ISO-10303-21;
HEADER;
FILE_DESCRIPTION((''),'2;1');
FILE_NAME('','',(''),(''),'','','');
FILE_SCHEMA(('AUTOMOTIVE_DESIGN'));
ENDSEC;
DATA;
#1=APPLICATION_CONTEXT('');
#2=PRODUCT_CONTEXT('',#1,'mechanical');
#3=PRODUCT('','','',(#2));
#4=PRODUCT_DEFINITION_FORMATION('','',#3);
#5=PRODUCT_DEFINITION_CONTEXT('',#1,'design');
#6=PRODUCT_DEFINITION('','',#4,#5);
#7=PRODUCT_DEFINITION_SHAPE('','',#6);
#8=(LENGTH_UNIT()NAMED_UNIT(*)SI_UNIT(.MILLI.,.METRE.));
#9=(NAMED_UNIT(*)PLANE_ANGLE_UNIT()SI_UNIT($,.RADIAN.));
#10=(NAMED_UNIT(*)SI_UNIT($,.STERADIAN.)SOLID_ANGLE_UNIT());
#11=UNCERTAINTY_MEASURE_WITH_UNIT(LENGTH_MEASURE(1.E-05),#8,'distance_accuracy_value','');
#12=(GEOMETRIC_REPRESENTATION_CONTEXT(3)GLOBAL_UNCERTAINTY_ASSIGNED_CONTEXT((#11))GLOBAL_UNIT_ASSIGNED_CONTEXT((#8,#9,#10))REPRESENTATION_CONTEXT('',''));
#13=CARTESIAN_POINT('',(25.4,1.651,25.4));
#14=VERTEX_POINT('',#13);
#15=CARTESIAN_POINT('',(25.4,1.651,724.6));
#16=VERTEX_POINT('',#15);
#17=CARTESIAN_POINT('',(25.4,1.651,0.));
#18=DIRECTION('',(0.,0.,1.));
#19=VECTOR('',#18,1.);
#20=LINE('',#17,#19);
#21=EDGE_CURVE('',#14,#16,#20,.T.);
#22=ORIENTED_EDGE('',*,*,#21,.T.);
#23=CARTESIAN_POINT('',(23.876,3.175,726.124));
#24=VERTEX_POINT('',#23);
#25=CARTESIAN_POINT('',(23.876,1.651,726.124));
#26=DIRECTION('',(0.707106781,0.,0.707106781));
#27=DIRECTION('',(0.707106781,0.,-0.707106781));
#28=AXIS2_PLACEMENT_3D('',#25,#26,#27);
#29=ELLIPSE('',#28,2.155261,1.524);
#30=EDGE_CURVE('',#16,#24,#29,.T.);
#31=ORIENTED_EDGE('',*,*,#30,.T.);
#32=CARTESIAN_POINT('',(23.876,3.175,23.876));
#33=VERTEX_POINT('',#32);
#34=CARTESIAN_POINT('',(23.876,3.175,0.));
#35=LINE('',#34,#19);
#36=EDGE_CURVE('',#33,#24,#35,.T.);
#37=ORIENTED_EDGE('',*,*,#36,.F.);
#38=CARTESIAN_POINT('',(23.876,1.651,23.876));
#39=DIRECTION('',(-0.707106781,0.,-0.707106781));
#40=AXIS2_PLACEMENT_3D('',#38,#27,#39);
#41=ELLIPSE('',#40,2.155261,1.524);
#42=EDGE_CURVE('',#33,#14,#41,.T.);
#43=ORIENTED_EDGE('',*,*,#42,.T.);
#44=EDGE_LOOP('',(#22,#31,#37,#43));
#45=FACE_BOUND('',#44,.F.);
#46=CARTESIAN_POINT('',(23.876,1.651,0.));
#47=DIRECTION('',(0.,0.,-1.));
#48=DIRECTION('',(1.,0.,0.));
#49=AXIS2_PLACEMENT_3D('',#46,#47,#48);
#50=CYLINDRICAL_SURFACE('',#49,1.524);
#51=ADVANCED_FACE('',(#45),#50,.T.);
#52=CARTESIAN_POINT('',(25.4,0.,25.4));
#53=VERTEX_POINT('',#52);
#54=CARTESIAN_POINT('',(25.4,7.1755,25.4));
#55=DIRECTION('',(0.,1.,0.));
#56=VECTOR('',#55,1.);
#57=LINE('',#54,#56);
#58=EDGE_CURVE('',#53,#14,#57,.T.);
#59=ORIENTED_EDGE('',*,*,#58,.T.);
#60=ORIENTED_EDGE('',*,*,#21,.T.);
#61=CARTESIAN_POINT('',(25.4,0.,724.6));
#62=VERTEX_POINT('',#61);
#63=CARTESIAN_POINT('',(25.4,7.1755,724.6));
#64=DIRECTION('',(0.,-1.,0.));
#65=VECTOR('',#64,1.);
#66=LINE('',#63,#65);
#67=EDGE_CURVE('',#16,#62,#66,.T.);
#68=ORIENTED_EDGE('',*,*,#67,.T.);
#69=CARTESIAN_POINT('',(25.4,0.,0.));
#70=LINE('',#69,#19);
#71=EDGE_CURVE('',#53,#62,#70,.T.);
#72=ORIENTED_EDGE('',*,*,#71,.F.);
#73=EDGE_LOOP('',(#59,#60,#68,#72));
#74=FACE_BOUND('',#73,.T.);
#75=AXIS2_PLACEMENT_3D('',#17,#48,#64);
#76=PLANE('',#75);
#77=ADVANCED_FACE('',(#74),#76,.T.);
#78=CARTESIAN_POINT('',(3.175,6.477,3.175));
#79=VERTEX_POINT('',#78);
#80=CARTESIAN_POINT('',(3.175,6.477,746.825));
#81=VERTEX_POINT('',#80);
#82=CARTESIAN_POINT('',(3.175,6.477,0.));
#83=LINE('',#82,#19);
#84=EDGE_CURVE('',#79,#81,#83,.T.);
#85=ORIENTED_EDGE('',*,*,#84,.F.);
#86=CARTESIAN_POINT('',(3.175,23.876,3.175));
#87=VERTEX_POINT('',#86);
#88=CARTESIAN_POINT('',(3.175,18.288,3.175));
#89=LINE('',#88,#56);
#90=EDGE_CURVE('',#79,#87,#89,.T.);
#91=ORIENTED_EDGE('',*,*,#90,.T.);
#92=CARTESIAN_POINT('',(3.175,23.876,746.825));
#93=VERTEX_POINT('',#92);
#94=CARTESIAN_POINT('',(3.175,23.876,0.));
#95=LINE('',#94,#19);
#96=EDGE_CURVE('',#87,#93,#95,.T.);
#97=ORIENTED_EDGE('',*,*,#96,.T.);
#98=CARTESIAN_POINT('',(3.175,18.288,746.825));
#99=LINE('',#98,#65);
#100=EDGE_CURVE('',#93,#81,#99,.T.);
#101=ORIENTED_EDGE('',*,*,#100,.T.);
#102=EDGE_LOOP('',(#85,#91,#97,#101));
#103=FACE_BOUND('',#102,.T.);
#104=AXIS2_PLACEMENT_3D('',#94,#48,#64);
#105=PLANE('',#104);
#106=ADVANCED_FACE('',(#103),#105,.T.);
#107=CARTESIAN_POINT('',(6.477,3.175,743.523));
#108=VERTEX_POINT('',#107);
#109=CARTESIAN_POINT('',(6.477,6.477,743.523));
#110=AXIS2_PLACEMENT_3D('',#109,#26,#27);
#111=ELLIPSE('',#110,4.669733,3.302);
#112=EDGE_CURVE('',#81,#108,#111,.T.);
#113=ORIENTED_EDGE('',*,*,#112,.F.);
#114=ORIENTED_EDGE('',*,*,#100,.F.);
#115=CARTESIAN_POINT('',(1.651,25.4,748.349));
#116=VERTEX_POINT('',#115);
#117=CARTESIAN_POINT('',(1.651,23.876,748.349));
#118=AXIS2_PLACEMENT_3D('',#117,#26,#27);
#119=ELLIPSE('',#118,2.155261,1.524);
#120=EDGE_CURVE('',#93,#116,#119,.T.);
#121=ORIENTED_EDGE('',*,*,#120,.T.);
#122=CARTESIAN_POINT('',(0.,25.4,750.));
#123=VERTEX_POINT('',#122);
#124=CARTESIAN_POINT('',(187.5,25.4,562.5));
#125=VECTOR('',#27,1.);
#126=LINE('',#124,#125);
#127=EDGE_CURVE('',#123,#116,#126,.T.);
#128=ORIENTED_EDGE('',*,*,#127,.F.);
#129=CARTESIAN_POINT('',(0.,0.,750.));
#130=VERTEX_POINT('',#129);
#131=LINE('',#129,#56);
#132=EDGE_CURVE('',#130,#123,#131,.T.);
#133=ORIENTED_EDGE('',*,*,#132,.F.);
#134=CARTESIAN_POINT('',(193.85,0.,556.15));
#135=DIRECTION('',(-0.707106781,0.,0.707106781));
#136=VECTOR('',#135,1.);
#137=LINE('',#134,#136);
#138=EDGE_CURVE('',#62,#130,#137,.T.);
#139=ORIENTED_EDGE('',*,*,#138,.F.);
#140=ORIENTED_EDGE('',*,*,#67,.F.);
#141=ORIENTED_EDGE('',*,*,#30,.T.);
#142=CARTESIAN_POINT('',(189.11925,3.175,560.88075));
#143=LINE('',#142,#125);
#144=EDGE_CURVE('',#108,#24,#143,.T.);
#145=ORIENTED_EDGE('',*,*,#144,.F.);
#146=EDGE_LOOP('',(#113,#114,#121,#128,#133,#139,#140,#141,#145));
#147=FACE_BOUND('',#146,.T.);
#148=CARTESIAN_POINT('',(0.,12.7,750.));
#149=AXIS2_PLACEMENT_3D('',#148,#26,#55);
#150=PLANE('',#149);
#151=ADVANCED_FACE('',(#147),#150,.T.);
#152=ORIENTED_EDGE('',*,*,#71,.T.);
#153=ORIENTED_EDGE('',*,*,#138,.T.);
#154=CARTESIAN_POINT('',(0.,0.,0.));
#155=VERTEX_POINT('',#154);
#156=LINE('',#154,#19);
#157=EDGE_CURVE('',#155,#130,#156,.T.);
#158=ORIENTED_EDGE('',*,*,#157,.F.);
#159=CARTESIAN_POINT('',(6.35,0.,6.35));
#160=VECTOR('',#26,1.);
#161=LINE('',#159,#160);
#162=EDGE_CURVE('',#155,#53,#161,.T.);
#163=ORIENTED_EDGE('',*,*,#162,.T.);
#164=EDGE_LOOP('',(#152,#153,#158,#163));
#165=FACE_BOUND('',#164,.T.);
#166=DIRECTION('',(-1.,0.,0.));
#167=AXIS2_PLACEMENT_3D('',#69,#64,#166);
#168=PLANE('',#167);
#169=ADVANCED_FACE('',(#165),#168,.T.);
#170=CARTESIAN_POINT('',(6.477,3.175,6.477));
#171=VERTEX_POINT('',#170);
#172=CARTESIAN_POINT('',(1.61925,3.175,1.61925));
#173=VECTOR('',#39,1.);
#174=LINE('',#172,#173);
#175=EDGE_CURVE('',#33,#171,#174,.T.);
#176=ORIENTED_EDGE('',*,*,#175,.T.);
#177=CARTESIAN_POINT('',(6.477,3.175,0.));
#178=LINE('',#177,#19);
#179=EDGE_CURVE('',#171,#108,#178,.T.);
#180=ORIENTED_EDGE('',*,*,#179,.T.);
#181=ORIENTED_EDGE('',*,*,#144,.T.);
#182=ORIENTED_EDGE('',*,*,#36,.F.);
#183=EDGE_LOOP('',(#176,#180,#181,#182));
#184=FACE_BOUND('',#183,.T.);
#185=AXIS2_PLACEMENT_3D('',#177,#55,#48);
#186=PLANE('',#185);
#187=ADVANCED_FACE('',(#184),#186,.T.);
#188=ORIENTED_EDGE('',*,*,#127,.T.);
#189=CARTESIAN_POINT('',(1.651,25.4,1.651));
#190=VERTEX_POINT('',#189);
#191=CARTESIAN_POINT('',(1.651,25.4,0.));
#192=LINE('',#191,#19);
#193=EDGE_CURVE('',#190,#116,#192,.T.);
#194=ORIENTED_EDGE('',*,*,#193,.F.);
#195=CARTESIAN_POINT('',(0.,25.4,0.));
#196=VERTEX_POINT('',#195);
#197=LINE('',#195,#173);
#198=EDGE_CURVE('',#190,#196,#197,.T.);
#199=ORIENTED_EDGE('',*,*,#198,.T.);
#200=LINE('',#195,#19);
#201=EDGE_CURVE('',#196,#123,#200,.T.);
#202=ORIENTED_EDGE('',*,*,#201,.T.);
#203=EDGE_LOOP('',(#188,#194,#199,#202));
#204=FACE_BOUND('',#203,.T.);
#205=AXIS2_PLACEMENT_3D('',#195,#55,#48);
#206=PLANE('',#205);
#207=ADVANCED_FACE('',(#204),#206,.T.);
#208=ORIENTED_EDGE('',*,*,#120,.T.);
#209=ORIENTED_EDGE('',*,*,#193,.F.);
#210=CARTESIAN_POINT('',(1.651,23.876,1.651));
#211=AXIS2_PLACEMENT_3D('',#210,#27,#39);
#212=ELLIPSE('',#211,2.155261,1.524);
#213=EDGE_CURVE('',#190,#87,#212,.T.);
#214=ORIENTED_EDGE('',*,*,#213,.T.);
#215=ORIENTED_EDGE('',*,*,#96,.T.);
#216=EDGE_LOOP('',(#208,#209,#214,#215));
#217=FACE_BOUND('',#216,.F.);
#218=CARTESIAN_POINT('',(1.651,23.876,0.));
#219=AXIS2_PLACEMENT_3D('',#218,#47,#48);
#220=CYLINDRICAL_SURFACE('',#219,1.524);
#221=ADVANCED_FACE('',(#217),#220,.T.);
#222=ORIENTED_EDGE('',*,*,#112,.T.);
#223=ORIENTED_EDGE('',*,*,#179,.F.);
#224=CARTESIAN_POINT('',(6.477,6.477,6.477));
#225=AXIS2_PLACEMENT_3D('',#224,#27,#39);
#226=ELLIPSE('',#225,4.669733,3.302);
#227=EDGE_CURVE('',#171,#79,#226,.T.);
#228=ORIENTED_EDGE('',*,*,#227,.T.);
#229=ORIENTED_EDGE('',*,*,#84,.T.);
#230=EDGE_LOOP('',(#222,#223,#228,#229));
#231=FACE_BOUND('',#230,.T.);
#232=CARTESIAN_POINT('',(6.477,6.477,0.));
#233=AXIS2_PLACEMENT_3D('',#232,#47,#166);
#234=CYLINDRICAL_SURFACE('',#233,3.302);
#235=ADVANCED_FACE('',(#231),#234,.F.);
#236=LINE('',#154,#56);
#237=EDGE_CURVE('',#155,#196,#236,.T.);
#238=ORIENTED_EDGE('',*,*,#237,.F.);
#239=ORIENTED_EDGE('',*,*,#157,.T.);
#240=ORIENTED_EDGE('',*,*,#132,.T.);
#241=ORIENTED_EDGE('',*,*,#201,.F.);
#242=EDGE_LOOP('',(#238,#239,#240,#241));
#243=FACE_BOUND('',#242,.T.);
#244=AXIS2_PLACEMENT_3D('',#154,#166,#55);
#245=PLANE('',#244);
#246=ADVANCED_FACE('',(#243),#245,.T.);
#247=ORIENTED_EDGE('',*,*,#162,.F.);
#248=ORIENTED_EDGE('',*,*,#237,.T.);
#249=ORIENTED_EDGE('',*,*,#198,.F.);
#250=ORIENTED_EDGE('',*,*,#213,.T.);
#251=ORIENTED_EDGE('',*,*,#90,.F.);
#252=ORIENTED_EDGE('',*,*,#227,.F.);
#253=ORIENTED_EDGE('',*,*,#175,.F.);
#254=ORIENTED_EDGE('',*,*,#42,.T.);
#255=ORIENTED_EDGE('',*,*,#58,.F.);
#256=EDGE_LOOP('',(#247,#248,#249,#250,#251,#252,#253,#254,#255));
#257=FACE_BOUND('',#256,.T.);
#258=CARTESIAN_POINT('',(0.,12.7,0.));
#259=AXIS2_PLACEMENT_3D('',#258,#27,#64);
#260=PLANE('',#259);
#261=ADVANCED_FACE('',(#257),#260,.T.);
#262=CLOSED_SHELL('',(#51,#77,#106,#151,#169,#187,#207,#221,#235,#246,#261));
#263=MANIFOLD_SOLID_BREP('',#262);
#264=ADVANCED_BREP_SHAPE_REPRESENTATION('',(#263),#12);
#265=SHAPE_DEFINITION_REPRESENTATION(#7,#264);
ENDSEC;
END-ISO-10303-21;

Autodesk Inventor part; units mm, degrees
ref_plane "Start Plane" through (0, 0, 0) normal (0, 0, 1) x (1, 0, 0)
ref_plane "End Plane" through (0, 0, 750) normal (0, 0, 1) x (1, 0, 0)
sketch "Sketch" plane through (0, 0, 0) normal (0, 0, 1) x (1, 0, 0)
  line L0 (25.4, 0) -> (0, 0)
  line L1 (0, 0) -> (0, 25.4)
  line L2 (0, 25.4) -> (1.651, 25.4)
  line L3 (3.175, 23.876) -> (3.175, 6.477)
  line L4 (6.477, 3.175) -> (23.876, 3.175)
  line L5 (25.4, 1.651) -> (25.4, 0)
  line L6 (0, -11.0414) -> (0, 31.5385) construction
  line L7 (-11.0414, 0) -> (31.5385, 0) construction
  arc A0 (3.175, 6.477) -> (6.477, 3.175) centre (6.477, 6.477) ccw
  arc A1 (3.175, 23.876) -> (1.651, 25.4) centre (1.651, 23.876) ccw
  arc A2 (25.4, 1.651) -> (23.876, 3.175) centre (23.876, 1.651) ccw
  line L8 (0, 40.0545) -> (0, -19.5574) construction
  line L9 (-19.5574, 0) -> (40.0545, 0) construction
  point P0 (3.175, 25.4)
  point P1 (3.175, 3.175)
  point P2 (25.4, 3.175)
  dimension "d0" = 25.4
  dimension "d1" = 25.4
  dimension "d2" = 3.175
  dimension "d3" = 3.175
  dimension "d10" = 0
  dimension "d11" = 0
  dimension "d14" = 3.302
  dimension "d15" = 1.524
extrude "Body" add sketch "Sketch" along normal up to surface (750 mm away) from surface at 0
sketch "Sketch3" plane through (0, 0, 0) normal (0, 0, 1) x (1, 0, 0)
  line L0 (0, 0) -> (10, 0)
ref_plane "Work Plane3" through (0, 0, 0) normal (0, -1, 0) x (1, 0, 0)
ref_plane "Work Plane4" through (0, 12.7, 750) normal (0.7071, 0, 0.7071) x (0.7071, 0, -0.7071)
split "Split1" plane through (0, 12.7, 750) removes the side toward (0.7071, 0, 0.7071)
ref_plane "Work Plane5" through (0, 12.7, 0) normal (0.7071, 0, -0.7071) x (-0.7071, 0, -0.7071)
split "Split2" plane through (0, 12.7, 0) removes the side toward (0.7071, 0, -0.7071)
sketch "Sketch4" plane through (0, 0, 0) normal (0, -1, 0) x (1, 0, 0)
  line L0 (-2, 0) -> (12, 0) projected
  line L1 (-2, 750) -> (12, 750) projected
  dimension "d17" = 750
equation "\"d0\" = G_H"
equation "\"d1\" = G_H"
equation "\"d2\" = G_T"
equation "\"d3\" = G_T"
equation "\"d14\" = G_IR"
equation "\"d15\" = G_ER"
equation "\"d4\" = G_L"
equation "\"G_H\" = 25.4"
equation "\"G_T\" = 3.175"
equation "\"G_ER\" = 1.524"
equation "\"G_IR\" = 3.302"
equation "\"G_L\" = d17"
equation "\"ex\" = 0"
equation "\"G_OFFSET_START\" = 0"
equation "\"G_OFFSET_END\" = 0"
equation "\"d13\" = G_OFFSET_END + B_L"
equation "\"B_L\" = 750"
properties part number "AISC - L 1 x 1 x 1/8 - 29.528" material "Steel, Mild"
